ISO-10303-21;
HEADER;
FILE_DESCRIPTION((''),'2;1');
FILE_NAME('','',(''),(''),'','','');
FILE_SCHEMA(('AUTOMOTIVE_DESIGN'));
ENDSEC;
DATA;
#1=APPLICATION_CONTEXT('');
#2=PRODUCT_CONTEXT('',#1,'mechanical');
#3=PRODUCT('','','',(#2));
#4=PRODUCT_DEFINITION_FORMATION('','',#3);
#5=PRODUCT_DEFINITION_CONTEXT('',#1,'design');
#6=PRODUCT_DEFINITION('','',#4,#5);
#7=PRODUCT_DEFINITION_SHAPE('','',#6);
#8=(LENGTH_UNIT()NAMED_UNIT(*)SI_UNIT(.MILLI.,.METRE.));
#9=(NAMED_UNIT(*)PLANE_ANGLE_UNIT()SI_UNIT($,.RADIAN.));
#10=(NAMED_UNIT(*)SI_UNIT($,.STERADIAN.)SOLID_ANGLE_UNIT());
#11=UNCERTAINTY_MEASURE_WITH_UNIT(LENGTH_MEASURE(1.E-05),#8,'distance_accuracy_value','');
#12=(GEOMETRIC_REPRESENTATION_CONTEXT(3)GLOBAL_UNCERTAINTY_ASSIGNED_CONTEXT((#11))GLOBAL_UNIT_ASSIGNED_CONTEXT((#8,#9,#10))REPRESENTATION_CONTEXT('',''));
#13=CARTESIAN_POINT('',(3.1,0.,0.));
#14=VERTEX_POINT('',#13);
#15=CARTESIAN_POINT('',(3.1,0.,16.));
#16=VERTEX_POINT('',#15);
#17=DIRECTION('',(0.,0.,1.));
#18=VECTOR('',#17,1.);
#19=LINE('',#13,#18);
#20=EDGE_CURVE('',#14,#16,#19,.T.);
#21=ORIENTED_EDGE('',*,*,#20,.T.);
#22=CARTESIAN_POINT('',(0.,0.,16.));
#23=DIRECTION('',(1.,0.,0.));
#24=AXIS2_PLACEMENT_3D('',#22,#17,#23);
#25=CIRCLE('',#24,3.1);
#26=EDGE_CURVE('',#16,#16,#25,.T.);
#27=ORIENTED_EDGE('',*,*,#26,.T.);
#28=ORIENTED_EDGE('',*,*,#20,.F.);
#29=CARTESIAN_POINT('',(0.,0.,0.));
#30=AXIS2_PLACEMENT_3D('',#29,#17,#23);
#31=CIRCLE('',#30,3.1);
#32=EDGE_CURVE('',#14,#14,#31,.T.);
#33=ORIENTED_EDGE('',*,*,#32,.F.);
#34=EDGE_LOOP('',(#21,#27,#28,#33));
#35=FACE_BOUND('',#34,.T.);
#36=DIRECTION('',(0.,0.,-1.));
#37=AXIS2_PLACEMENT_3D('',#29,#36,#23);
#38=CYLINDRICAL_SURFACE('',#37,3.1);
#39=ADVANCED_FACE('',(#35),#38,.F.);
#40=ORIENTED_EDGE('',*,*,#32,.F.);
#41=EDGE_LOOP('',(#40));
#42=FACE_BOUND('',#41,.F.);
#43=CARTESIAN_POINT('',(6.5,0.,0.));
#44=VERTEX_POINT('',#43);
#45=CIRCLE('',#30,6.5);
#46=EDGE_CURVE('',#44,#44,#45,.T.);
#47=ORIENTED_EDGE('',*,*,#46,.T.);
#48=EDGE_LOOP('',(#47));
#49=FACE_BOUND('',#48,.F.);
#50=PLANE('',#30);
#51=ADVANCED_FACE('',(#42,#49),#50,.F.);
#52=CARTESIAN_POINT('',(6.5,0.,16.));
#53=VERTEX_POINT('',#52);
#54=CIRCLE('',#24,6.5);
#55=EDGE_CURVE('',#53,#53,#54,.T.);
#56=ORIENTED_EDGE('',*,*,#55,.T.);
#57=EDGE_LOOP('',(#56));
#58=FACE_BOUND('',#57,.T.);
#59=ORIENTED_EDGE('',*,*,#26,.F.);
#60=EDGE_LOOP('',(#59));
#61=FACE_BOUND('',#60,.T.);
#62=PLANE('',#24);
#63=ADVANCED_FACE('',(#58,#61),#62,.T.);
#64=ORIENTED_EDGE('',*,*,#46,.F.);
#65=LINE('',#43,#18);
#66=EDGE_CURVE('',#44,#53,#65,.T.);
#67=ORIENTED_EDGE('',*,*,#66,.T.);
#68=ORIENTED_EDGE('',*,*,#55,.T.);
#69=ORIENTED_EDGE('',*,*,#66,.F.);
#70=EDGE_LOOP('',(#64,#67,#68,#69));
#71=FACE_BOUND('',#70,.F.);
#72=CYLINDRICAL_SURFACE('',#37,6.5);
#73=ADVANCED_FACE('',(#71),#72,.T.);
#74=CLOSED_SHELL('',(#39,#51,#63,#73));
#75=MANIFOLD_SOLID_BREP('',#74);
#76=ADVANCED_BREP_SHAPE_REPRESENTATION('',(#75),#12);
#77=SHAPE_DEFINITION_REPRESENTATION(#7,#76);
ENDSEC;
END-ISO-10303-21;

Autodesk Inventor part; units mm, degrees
ref_plane "YZ Plane" through (0, 0, 0) normal (1, 0, 0) x (0, 1, 0)
ref_plane "XZ Plane" through (0, 0, 0) normal (0, 1, 0) x (-1, 0, 0)
ref_plane "XY Plane" through (0, 0, 0) normal (0, 0, 1) x (1, 0, 0)
sketch "Sketch1" plane through (0, 0, 0) normal (0, 0, 1) x (1, 0, 0)
  circle A0 centre (0, 0) radius 3.1
  circle A1 centre (0, 0) radius 6.5
  dimension "d0" = 6.2
  dimension "d1" = 13
extrude "Extrusion1" add sketch "Sketch1" along normal blind 16
properties part number "Buje" material "PLA"
